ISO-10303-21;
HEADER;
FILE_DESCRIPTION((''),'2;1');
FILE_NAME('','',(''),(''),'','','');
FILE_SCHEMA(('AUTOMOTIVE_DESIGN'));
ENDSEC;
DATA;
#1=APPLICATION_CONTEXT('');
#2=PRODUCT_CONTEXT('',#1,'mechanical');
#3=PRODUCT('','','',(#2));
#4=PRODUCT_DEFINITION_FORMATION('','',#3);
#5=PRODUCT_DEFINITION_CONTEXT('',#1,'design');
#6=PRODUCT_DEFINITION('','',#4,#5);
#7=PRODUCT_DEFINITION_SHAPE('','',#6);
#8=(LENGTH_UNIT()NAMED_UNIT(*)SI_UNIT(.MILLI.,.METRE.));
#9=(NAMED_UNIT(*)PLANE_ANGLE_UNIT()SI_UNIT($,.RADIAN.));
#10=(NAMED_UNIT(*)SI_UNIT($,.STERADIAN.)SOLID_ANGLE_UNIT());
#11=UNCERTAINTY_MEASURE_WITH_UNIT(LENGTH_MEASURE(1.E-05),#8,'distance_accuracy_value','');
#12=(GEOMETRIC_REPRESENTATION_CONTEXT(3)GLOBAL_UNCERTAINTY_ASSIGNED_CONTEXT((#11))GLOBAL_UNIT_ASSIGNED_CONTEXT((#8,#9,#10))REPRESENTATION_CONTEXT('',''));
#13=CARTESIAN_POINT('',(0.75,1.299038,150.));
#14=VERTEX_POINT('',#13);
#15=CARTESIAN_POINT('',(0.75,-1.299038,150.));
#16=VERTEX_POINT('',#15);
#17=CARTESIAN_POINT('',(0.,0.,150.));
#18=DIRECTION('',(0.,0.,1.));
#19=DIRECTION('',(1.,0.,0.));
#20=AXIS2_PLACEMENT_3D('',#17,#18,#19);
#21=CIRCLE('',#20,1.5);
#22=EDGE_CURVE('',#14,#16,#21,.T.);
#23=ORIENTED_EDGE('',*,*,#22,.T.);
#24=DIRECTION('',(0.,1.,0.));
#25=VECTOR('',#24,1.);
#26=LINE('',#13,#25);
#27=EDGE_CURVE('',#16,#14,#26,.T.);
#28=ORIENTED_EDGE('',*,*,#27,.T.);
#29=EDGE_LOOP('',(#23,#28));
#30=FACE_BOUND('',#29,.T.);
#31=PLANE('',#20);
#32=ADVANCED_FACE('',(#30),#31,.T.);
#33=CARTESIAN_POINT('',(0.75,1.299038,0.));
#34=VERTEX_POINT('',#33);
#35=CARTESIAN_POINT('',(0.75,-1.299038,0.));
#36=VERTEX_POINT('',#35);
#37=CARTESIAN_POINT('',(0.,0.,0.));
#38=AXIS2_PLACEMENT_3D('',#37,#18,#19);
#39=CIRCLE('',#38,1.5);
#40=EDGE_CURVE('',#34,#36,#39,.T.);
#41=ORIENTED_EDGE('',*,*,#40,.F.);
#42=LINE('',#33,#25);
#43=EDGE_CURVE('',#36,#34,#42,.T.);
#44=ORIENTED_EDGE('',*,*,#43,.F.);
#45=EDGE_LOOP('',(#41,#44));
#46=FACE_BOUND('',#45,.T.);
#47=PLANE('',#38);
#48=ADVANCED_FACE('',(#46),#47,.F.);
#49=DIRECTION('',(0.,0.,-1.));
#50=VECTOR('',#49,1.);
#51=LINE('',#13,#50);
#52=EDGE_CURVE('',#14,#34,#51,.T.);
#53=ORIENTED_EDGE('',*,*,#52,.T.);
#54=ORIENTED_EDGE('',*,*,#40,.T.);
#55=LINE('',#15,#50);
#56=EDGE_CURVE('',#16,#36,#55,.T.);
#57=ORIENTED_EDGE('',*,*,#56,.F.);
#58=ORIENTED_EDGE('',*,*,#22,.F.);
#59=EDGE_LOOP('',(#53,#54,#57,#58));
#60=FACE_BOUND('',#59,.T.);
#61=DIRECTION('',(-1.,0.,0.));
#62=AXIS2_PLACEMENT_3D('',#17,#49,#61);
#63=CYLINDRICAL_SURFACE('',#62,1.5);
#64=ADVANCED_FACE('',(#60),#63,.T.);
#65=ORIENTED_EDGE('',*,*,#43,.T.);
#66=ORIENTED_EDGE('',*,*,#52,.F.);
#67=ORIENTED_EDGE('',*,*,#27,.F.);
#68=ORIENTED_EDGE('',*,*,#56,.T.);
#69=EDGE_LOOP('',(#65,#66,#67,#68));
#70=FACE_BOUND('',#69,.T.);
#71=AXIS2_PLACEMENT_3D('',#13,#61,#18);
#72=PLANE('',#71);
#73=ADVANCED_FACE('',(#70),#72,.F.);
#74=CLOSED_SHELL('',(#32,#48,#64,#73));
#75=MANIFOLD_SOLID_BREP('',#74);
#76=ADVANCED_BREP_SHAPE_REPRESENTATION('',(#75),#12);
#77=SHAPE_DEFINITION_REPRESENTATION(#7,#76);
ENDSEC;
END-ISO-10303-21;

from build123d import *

# Parameters (mm, degrees)
BOSS_EXTRUDE1_DEPTH = 150


with BuildPart() as part:
    # Sketch1 → Boss-Extrude1 (new body)
    with BuildSketch(Plane.XY):
        with BuildLine():
            Line((0.75, 1.299038106), (0.75, -1.299038106))
            ThreePointArc((0.75, -1.299038106), (-1.5, 0), (0.75, 1.299038106))
        make_face()
    extrude(amount=BOSS_EXTRUDE1_DEPTH)


solid = part.part
